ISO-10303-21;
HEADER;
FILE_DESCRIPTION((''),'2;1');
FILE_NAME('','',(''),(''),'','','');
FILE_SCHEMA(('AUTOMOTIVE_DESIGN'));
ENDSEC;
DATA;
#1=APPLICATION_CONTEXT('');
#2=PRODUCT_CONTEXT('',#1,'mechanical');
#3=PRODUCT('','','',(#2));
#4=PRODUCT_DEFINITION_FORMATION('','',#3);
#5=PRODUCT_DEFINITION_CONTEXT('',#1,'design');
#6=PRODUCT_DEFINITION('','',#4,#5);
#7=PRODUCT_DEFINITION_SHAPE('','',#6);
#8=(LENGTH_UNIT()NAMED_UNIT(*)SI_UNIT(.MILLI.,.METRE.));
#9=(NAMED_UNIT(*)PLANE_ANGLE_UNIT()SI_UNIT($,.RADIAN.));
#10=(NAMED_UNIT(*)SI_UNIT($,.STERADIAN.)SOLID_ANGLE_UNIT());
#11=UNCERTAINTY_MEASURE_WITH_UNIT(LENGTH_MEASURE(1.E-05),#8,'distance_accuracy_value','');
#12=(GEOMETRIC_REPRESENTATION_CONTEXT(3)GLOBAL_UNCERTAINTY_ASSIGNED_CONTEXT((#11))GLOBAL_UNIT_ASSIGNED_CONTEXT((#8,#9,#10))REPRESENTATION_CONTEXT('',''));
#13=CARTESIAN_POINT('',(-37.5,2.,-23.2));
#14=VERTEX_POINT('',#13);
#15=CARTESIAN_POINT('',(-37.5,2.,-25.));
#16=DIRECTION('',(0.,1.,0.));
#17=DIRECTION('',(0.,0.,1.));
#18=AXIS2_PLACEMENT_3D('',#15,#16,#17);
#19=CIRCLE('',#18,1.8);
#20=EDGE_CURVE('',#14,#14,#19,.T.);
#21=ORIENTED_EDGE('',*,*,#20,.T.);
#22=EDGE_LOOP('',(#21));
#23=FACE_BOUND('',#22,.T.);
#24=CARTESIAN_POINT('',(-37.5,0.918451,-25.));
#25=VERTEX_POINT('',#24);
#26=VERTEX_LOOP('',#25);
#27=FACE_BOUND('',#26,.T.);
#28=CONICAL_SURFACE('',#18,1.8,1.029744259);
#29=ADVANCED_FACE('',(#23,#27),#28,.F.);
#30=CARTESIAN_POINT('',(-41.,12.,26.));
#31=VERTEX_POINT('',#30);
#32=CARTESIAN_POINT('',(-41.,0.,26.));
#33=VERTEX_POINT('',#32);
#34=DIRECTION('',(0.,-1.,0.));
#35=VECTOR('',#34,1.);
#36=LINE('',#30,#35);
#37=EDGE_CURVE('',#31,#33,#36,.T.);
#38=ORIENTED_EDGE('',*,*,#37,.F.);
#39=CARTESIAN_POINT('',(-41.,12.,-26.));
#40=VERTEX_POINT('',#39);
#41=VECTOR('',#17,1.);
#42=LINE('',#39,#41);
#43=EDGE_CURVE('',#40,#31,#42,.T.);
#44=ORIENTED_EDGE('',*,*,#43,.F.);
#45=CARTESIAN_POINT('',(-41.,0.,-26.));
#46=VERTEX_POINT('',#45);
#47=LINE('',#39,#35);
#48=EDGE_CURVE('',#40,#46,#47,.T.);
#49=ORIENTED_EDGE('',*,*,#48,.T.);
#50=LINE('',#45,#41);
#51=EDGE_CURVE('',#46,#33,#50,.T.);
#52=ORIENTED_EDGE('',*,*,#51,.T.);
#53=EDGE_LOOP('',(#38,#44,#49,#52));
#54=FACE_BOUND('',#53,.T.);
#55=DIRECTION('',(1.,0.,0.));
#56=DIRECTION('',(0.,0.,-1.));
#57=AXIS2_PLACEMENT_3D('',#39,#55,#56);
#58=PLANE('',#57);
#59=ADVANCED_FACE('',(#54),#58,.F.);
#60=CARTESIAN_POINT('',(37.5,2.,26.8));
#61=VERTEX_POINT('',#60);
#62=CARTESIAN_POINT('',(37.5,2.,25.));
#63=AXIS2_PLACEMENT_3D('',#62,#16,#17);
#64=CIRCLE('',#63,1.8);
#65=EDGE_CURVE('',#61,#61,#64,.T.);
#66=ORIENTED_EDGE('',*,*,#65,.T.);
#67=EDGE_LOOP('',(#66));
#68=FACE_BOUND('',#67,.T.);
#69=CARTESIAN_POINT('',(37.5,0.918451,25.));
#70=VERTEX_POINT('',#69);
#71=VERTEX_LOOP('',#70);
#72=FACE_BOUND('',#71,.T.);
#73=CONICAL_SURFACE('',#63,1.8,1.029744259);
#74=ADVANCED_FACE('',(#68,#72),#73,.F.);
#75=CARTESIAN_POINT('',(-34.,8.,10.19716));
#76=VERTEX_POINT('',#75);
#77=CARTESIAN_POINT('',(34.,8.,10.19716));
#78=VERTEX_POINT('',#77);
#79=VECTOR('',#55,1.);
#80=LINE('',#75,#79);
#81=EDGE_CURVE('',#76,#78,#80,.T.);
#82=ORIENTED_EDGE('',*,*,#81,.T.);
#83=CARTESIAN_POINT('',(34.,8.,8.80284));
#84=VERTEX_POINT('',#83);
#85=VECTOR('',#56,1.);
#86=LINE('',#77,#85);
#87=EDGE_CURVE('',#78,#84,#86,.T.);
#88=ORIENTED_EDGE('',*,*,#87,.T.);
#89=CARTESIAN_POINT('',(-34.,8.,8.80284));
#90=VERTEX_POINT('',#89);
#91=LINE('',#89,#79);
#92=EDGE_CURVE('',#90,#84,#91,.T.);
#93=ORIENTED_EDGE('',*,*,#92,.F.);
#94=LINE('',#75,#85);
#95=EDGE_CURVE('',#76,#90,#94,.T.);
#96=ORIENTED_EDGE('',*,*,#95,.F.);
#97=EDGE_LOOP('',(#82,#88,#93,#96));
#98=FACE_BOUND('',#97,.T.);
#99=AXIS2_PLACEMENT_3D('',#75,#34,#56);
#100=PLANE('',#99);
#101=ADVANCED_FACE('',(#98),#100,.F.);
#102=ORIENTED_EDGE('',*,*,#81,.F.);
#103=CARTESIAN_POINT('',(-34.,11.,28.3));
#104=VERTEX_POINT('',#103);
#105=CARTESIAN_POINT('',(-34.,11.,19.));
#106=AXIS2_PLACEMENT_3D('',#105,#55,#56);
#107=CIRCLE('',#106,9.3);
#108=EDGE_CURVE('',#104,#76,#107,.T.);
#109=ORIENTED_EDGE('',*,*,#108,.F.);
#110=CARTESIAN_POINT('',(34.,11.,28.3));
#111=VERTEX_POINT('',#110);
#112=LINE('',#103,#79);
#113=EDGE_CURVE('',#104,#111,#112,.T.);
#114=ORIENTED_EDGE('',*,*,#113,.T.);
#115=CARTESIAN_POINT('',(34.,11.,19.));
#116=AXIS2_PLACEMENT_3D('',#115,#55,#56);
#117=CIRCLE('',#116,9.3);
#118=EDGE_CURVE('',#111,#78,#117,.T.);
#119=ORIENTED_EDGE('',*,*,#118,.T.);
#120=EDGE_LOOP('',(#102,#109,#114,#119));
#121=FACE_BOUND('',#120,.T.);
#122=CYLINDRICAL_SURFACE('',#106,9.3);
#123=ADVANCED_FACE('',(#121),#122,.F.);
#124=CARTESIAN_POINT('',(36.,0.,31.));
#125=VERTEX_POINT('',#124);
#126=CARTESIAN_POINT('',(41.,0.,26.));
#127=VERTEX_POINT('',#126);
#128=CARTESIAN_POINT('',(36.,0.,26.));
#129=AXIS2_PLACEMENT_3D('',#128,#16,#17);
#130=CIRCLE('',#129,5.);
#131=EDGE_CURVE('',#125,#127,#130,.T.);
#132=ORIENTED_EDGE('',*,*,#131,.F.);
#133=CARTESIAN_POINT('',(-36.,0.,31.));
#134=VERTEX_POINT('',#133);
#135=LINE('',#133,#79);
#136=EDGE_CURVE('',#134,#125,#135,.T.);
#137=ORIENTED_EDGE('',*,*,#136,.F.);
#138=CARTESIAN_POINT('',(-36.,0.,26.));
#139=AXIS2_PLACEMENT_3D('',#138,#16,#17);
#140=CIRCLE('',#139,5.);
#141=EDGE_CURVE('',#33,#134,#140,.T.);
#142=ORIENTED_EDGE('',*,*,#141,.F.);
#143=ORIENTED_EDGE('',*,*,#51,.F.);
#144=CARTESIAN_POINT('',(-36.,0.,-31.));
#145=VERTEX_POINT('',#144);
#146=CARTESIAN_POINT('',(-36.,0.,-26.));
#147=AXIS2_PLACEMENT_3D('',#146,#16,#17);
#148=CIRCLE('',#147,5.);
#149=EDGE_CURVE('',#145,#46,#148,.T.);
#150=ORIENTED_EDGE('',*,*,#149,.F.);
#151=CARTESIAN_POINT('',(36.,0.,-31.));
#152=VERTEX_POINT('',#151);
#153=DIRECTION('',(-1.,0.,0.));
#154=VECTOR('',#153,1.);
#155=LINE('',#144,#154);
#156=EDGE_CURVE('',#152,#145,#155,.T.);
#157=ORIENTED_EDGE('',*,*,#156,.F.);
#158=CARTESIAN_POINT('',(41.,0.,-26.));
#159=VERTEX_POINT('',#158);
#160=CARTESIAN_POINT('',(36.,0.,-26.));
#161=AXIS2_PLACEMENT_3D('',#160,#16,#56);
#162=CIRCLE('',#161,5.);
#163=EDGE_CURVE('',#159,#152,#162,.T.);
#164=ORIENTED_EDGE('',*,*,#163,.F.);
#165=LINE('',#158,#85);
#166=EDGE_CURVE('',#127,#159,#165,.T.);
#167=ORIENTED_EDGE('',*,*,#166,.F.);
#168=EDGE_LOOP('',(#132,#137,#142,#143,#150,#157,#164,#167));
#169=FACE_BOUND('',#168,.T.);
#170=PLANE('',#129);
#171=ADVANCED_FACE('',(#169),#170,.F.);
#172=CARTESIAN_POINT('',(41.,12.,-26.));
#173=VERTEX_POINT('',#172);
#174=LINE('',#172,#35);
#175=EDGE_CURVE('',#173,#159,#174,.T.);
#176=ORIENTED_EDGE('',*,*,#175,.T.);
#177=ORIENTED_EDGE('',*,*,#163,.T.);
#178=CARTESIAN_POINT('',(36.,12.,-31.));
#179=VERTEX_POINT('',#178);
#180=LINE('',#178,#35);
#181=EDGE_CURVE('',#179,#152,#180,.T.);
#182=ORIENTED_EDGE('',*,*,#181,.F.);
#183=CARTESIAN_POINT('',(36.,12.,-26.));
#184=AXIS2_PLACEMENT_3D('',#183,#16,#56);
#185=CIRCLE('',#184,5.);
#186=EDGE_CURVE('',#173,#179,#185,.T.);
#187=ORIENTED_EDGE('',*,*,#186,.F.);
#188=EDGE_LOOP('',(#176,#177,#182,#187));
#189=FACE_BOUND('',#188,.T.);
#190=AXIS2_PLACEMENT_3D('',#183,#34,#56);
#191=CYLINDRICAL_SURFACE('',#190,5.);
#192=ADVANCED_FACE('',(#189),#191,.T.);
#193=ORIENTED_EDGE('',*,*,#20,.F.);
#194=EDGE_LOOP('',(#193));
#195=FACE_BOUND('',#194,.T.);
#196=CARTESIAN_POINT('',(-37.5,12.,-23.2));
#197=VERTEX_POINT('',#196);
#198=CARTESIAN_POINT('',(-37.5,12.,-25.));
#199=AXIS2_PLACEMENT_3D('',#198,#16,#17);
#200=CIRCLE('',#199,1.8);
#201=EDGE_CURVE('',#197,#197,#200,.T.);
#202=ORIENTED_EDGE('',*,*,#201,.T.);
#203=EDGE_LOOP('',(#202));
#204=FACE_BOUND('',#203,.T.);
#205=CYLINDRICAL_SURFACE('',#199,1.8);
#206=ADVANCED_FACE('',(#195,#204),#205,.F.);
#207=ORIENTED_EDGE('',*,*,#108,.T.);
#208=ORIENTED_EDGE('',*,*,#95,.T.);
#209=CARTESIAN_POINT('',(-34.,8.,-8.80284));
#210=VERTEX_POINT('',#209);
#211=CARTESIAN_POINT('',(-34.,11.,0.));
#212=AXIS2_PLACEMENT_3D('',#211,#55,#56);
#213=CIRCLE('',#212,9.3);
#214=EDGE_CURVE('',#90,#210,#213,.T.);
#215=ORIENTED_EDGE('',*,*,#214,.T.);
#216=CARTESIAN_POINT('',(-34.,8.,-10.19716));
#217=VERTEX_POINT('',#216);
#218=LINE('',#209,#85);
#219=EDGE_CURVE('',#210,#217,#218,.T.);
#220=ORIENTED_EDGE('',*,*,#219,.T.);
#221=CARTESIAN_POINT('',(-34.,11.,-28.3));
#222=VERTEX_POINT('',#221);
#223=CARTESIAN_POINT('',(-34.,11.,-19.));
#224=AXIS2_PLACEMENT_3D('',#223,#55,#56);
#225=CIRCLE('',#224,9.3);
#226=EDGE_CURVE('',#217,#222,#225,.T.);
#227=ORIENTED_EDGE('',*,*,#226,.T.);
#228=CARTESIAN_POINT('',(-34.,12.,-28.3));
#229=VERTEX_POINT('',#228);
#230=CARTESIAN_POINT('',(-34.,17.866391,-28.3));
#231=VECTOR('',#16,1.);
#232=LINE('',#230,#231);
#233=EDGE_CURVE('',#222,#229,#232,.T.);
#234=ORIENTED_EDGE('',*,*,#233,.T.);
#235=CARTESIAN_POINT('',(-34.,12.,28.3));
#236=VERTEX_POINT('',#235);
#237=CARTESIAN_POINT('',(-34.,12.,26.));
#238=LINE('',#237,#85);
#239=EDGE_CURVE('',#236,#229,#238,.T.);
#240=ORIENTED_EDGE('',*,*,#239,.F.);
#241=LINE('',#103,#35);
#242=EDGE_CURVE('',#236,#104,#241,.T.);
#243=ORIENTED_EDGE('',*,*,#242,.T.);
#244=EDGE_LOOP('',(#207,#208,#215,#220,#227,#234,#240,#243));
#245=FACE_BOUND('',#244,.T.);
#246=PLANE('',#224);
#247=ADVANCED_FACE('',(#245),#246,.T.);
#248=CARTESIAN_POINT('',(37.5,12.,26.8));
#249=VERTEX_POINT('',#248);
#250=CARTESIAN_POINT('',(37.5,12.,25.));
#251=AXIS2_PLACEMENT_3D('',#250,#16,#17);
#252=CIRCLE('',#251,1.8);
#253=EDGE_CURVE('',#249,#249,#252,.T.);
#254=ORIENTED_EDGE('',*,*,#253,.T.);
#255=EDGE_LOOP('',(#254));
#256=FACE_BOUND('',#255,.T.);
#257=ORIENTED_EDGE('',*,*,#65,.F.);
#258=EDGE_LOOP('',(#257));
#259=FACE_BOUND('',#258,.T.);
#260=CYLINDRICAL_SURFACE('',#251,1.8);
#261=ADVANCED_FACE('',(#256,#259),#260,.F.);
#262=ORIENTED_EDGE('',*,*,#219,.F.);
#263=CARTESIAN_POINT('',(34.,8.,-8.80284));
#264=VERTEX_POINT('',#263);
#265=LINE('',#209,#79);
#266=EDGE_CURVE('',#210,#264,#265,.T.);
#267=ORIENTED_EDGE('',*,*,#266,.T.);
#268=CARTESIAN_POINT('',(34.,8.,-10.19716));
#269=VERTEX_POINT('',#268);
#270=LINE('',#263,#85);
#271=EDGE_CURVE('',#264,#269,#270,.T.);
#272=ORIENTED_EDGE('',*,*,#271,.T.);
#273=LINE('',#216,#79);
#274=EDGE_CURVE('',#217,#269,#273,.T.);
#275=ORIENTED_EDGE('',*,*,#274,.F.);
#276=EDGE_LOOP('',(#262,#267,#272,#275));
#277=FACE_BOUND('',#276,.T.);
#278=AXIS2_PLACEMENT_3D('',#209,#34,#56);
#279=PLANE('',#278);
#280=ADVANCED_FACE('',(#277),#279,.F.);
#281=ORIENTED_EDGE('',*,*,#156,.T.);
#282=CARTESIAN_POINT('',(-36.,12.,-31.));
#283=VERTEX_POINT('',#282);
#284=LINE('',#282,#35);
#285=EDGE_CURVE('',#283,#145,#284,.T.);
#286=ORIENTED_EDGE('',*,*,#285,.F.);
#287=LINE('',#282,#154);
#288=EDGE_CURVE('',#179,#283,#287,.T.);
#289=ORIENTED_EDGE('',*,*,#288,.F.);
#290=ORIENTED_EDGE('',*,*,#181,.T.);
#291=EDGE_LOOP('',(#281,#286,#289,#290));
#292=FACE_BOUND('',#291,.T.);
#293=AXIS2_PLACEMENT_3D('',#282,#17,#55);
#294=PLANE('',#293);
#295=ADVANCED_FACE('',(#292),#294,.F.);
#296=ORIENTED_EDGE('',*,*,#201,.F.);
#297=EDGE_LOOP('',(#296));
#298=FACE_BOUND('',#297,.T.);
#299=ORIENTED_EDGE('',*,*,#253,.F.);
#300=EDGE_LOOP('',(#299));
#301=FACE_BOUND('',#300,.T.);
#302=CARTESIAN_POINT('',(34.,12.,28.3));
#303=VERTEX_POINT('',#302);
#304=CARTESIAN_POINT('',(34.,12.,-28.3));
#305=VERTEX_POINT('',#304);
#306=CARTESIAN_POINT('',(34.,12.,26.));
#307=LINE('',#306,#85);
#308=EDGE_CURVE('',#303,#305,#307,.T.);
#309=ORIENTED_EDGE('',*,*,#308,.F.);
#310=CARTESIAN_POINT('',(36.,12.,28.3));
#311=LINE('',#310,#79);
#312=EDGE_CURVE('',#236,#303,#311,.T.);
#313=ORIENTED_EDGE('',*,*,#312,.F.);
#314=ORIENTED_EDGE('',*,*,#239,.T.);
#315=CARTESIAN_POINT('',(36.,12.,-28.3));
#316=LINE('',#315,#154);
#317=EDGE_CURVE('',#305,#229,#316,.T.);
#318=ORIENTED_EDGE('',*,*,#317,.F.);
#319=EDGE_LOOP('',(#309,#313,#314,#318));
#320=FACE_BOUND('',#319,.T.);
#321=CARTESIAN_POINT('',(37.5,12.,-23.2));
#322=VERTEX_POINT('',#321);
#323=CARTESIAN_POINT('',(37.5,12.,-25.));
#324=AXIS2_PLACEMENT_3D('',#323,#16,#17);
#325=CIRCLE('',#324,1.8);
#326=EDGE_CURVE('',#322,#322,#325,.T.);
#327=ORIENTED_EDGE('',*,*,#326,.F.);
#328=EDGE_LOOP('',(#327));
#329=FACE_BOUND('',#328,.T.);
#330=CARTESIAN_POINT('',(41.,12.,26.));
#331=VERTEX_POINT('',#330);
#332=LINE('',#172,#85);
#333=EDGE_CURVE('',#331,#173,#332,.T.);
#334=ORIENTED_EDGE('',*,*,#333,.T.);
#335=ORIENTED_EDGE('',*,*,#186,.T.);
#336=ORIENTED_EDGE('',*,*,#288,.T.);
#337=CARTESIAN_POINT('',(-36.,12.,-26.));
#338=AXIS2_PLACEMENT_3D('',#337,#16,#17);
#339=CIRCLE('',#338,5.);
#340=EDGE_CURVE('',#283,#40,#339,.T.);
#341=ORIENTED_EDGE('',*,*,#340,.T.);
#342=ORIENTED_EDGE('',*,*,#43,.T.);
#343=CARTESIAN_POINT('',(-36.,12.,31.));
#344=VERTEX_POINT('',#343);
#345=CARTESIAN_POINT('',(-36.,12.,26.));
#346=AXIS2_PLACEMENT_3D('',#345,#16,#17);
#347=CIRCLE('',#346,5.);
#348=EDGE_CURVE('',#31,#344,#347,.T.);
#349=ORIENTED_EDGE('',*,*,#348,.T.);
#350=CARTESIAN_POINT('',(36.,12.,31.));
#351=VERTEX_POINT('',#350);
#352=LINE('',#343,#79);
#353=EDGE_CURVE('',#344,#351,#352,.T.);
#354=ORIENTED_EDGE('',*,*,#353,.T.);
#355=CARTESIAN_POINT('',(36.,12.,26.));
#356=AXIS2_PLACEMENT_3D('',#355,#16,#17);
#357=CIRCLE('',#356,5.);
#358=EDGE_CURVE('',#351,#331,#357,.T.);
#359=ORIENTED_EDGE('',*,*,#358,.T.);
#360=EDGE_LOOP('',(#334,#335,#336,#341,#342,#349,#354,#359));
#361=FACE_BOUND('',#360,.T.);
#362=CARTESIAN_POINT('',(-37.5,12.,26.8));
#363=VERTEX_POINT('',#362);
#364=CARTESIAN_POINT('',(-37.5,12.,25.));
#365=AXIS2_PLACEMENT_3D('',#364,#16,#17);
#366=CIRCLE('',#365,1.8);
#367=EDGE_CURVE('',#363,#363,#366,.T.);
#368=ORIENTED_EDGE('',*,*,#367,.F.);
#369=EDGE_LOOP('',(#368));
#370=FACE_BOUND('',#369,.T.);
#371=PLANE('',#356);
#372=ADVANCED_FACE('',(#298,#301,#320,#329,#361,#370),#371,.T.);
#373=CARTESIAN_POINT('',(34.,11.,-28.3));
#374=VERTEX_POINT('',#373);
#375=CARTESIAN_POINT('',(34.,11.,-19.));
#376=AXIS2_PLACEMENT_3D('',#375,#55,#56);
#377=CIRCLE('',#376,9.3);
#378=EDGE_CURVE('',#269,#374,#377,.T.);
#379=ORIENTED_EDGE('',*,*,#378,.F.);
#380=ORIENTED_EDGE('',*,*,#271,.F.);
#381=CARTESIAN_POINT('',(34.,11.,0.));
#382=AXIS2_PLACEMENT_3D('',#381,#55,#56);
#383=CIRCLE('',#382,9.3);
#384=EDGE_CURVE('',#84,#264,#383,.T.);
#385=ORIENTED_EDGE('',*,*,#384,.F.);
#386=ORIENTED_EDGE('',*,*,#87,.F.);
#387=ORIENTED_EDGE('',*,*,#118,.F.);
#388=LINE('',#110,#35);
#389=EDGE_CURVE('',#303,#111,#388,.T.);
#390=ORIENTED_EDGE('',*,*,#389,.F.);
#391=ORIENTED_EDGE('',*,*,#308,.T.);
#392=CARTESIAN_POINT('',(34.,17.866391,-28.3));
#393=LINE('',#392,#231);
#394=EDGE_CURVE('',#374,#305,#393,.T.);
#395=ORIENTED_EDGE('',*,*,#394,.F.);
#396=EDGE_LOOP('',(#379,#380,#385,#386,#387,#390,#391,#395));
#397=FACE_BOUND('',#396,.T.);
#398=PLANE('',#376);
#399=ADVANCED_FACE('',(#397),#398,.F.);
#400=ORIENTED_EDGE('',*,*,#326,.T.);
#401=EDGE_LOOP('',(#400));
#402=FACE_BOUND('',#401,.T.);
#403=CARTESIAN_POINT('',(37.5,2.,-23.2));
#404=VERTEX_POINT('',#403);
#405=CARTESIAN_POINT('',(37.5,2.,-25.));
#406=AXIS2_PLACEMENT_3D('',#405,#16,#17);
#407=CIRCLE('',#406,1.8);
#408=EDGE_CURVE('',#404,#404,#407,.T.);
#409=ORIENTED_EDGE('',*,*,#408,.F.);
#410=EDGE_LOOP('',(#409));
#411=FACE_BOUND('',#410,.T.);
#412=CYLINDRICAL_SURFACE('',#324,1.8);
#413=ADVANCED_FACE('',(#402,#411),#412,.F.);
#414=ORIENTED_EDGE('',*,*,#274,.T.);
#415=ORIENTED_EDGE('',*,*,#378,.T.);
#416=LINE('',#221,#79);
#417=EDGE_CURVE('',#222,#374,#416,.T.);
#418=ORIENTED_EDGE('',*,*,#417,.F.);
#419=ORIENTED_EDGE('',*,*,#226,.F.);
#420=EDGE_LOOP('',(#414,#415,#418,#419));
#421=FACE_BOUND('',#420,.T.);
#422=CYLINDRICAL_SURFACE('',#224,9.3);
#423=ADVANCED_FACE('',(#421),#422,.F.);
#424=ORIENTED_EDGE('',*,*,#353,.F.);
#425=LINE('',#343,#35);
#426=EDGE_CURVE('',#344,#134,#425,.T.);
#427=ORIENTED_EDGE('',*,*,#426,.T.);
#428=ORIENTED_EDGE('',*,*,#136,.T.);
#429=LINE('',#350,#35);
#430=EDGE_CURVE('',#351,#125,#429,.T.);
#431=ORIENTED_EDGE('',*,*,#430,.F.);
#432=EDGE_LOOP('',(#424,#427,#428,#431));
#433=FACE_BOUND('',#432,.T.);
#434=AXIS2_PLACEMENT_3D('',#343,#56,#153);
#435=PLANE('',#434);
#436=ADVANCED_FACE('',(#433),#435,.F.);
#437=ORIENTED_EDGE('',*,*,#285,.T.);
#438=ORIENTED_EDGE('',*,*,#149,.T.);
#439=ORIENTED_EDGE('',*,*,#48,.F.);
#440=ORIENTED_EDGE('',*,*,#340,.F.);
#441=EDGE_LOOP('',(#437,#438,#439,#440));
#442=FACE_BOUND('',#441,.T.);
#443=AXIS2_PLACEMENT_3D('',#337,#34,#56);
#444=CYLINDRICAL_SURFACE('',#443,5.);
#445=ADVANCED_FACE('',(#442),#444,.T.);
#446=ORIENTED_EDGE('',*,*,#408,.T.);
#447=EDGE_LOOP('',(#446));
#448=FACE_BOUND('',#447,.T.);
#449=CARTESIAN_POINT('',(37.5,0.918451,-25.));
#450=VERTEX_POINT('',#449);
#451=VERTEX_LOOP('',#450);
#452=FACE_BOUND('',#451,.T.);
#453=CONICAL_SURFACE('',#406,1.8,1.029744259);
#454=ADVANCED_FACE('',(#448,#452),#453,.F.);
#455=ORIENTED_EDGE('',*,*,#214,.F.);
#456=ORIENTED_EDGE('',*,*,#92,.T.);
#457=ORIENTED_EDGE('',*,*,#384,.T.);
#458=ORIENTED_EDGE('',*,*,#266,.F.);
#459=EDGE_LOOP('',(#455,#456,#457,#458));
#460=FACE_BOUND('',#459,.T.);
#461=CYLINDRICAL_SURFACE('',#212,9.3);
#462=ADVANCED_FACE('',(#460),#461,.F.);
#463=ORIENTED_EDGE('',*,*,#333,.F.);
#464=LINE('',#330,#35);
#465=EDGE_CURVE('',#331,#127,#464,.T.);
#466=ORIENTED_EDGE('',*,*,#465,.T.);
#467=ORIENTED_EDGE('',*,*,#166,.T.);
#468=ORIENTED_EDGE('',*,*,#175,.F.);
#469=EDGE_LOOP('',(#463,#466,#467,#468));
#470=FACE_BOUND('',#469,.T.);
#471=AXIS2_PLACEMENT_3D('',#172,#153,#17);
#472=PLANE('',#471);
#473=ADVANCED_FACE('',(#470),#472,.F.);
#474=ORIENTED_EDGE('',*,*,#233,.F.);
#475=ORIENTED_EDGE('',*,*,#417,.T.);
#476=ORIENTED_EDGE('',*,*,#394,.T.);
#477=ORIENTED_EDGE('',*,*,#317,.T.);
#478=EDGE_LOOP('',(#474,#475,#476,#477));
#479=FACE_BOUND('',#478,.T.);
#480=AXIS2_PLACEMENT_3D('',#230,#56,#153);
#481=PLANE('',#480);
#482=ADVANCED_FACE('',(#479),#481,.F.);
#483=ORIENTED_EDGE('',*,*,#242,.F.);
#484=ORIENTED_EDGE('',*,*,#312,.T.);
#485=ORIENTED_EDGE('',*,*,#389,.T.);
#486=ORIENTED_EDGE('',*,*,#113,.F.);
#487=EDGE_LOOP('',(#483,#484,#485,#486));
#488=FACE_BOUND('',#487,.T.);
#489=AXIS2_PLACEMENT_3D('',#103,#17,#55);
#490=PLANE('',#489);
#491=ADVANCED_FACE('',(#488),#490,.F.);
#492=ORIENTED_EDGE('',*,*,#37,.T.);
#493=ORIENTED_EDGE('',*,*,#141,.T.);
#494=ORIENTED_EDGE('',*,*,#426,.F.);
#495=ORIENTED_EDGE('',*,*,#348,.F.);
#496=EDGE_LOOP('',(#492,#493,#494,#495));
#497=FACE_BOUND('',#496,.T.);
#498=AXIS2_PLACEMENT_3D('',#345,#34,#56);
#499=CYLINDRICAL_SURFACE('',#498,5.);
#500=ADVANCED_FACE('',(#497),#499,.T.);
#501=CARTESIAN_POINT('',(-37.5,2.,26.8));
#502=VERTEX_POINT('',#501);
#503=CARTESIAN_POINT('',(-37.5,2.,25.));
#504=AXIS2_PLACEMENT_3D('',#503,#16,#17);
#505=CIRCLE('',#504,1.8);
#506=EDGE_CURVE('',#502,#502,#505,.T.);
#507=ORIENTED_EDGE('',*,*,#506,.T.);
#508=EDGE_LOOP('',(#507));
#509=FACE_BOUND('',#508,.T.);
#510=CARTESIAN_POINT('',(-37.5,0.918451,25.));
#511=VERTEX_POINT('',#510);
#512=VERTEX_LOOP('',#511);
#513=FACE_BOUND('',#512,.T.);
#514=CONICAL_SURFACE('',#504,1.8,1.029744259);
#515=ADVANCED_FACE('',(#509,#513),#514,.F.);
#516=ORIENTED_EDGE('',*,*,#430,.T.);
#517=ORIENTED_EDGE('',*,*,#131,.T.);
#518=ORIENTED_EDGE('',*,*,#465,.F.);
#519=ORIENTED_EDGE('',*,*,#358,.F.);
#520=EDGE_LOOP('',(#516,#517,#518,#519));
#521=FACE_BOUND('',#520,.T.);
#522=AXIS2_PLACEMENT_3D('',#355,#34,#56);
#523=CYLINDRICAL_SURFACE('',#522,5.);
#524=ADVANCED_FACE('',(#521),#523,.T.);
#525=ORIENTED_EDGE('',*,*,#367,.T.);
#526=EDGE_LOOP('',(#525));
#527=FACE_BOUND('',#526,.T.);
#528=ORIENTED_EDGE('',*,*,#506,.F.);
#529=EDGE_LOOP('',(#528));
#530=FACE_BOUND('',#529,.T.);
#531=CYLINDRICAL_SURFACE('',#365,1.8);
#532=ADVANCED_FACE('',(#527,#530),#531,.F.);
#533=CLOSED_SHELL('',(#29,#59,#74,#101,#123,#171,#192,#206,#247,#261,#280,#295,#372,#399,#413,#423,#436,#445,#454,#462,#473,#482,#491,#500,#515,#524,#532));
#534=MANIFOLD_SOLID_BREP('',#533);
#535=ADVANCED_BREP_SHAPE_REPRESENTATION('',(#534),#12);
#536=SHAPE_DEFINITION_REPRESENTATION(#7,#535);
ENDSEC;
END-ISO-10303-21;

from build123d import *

# Parameters (mm, degrees)
BOSS_EXTRUDE1_DEPTH            = 12
CUT_EXTRUDE1_DEPTH             = 34
F_3_6_3_6_DIAMETER_HOLE1_D     = 3.6
F_3_6_3_6_DIAMETER_HOLE1_DEPTH = 10
F_3_6_3_6_DIAMETER_HOLE1_TIP   = 1.081549114


with BuildPart() as part:
    # Sketch1 → Boss-Extrude1 (new body)
    with BuildSketch(Plane(origin=(0, 0, 0), x_dir=(1, 0, 0), z_dir=(0, 1, 0))):
        with BuildLine():
            Line((-36, 31), (36, 31))
            ThreePointArc((36, 31), (39.535533906, 29.535533906), (41, 26))
            Line((41, 26), (41, -26))
            ThreePointArc((41, -26), (39.535533906, -29.535533906), (36, -31))
            Line((36, -31), (-36, -31))
            ThreePointArc((-36, -31), (-39.535533906, -29.535533906), (-41, -26))
            Line((-41, -26), (-41, 26))
            ThreePointArc((-41, 26), (-39.535533906, 29.535533906), (-36, 31))
        make_face()
    extrude(amount=BOSS_EXTRUDE1_DEPTH)

    # Sketch2 → Cut-Extrude1 (cut, symmetric)
    with BuildSketch(Plane(origin=(0, 0, 0), x_dir=(0, 0, -1), z_dir=(1, 0, 0))):
        with BuildLine():
            Line((-10.197159549, 8), (-8.802840451, 8))
            ThreePointArc((-8.802840451, 8), (0, 1.7), (8.802840451, 8))
            Line((8.802840451, 8), (10.197159549, 8))
            ThreePointArc((10.197159549, 8), (20.520457794, 1.825131712), (28.3, 11))
            Line((28.3, 11), (28.3, 17.866390663))
            Line((28.3, 17.866390663), (-28.3, 17.866390663))
            Line((-28.3, 17.866390663), (-28.3, 11))
            ThreePointArc((-28.3, 11), (-20.520457794, 1.825131712), (-10.197159549, 8))
        make_face()
    extrude(amount=CUT_EXTRUDE1_DEPTH, both=True, mode=Mode.SUBTRACT)

    # Ø3.6 (3.6) Diameter Hole1
    with Locations(Plane(origin=(0, 12, 0), x_dir=(1, 0, 0), z_dir=(0, 1, 0))):
        with Locations((-37.5, 25), (-37.5, -25), (37.5, -25), (37.5, 25)):
            Hole(F_3_6_3_6_DIAMETER_HOLE1_D / 2, depth=F_3_6_3_6_DIAMETER_HOLE1_DEPTH)
            with Locations((0, 0, -(F_3_6_3_6_DIAMETER_HOLE1_DEPTH + F_3_6_3_6_DIAMETER_HOLE1_TIP / 2))):  # 118° drill point
                Cone(0, F_3_6_3_6_DIAMETER_HOLE1_D / 2, F_3_6_3_6_DIAMETER_HOLE1_TIP, mode=Mode.SUBTRACT)


solid = part.part
